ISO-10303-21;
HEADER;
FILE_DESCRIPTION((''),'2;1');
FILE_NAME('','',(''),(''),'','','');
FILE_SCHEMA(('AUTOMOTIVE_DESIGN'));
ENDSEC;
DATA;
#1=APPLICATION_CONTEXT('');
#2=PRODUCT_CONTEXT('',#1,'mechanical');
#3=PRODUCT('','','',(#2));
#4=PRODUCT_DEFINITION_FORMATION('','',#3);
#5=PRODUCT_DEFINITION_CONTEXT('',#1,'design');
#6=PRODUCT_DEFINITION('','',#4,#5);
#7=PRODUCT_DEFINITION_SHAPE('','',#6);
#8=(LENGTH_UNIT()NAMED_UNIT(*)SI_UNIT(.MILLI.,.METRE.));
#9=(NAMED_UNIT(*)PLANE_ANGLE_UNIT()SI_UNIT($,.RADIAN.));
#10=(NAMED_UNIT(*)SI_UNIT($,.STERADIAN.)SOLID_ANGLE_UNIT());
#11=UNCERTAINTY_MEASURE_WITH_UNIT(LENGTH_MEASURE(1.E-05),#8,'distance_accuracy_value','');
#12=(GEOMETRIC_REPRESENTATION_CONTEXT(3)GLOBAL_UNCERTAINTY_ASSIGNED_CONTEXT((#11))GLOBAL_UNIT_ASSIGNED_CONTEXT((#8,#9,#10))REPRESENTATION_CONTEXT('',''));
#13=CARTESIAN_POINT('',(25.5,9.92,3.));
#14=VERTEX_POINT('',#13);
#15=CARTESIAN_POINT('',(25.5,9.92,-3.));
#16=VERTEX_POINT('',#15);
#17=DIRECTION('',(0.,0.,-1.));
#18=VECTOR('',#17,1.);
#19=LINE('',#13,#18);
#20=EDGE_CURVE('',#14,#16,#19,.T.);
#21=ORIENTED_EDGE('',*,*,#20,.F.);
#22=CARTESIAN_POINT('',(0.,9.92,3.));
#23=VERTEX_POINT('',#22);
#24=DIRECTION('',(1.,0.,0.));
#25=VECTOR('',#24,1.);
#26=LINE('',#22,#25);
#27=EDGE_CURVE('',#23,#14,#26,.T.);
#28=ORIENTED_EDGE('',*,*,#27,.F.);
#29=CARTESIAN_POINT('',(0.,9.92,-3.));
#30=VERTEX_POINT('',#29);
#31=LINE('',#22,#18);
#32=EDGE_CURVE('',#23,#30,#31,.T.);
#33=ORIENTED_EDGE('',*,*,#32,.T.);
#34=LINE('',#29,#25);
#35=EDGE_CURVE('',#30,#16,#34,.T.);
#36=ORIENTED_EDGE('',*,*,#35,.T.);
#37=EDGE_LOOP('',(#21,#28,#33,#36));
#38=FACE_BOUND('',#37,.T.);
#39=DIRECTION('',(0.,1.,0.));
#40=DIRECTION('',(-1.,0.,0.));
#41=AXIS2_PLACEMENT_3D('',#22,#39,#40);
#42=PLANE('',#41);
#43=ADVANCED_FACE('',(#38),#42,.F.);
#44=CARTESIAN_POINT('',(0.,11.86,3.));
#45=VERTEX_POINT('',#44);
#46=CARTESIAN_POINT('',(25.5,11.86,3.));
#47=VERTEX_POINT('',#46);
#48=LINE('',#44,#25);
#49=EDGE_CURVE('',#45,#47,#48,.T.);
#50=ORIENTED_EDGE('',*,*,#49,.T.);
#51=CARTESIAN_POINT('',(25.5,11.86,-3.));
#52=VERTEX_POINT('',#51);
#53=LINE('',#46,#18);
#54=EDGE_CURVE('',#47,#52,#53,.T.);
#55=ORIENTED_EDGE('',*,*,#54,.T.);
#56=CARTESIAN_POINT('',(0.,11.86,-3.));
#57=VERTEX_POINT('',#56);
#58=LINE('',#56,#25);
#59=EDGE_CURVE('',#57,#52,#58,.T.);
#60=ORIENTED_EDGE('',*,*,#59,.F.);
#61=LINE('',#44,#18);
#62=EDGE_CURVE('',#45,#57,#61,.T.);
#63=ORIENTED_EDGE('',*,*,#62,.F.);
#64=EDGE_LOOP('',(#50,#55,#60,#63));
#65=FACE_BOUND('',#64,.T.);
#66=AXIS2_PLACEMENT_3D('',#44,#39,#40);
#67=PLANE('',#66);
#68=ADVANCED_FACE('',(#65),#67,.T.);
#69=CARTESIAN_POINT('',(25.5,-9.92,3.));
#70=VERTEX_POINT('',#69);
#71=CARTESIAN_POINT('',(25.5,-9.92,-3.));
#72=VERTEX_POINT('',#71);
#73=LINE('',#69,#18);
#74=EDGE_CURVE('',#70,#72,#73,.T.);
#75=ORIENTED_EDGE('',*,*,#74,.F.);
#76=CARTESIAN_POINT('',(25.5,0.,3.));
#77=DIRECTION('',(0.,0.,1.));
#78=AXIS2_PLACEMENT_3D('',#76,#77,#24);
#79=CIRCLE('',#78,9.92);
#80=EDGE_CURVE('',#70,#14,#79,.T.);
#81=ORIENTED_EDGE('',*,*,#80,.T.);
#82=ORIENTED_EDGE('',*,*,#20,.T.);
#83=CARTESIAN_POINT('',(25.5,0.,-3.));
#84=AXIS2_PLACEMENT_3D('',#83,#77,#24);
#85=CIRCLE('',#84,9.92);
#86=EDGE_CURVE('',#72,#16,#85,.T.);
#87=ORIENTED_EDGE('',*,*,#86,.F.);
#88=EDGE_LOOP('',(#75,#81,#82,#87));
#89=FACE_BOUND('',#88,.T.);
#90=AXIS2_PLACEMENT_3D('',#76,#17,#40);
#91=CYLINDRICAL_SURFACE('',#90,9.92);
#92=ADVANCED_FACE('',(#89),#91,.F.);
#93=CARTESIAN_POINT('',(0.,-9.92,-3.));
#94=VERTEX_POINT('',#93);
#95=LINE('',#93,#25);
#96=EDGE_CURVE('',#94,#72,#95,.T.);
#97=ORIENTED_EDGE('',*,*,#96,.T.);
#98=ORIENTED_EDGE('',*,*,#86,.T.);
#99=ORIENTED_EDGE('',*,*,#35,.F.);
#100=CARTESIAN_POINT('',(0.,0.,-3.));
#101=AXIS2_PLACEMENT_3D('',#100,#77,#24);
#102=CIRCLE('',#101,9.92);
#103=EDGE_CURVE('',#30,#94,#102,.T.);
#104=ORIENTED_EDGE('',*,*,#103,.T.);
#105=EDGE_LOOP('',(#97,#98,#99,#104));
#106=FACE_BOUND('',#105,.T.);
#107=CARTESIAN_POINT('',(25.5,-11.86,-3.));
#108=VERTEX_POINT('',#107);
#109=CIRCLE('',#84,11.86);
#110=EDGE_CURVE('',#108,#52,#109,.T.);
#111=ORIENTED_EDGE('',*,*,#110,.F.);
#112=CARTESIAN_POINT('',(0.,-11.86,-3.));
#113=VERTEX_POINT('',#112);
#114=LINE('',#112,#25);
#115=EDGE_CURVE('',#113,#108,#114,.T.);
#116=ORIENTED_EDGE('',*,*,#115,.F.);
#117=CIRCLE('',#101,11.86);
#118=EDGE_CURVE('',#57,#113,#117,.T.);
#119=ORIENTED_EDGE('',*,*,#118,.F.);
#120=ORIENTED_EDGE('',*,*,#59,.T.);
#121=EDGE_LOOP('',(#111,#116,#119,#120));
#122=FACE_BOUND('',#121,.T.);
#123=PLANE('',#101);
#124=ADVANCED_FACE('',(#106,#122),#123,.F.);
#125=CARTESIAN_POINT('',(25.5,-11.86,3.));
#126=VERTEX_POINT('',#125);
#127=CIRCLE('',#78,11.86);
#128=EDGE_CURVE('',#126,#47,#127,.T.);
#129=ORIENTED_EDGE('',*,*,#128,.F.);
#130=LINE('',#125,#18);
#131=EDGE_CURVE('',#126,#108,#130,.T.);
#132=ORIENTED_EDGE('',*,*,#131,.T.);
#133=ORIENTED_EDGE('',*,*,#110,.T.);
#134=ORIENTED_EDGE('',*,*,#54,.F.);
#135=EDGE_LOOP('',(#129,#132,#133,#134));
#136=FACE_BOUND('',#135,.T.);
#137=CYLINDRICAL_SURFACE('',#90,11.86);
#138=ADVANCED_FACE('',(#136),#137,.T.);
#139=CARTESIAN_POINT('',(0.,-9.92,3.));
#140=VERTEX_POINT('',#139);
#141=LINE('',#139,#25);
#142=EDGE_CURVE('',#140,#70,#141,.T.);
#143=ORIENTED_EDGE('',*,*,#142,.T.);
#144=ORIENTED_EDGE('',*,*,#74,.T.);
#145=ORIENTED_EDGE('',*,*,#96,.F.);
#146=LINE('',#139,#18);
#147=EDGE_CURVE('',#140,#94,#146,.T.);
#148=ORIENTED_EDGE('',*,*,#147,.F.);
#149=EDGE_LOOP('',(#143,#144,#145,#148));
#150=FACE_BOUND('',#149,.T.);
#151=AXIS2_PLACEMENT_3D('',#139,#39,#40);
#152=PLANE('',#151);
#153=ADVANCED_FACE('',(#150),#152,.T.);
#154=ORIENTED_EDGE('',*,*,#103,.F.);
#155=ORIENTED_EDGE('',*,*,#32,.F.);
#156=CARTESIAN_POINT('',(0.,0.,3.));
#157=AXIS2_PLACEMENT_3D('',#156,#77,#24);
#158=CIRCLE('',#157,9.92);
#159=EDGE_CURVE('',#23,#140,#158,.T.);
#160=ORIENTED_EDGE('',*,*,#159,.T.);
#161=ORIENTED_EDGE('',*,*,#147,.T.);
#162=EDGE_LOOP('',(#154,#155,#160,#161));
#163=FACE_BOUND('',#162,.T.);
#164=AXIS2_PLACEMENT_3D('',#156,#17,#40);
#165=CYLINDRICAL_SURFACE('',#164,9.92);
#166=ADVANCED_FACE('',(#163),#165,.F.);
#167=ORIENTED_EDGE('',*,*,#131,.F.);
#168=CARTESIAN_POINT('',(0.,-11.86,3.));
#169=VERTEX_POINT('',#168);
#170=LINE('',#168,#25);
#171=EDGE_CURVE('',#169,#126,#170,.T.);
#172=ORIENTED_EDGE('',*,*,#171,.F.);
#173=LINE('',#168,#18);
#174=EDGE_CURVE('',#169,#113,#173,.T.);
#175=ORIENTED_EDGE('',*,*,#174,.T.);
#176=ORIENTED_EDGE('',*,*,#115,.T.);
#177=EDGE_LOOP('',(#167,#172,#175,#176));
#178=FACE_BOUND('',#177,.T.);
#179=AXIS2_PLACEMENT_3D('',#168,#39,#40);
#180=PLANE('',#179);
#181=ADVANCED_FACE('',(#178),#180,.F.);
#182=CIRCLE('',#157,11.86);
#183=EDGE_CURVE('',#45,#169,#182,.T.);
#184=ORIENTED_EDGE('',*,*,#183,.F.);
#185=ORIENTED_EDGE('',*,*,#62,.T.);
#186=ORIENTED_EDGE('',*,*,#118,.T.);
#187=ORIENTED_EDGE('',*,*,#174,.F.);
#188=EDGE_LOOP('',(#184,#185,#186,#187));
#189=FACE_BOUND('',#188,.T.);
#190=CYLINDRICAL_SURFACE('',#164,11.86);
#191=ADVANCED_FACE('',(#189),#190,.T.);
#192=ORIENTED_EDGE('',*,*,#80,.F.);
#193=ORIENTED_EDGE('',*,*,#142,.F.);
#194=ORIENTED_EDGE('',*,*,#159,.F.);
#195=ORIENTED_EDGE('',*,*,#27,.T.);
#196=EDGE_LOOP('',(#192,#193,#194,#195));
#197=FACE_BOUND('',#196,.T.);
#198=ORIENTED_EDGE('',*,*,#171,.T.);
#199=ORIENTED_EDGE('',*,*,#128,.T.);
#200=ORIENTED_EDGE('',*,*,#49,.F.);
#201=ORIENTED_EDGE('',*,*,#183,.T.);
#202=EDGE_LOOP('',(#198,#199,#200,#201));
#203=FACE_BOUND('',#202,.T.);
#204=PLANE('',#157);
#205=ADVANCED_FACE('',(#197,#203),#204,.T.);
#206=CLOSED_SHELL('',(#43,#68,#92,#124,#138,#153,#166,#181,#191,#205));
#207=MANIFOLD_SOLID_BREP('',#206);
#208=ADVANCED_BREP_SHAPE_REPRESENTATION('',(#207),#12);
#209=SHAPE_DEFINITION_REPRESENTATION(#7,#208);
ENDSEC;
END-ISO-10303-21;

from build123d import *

# Parameters (mm, degrees)
BOSS_EXTRU_1_DEPTH = 3


with BuildPart() as part:
    # Esquisse1 → Boss.-Extru.1 (new, symmetric)
    # profile 1 of 2: a face of its own
    with BuildSketch(Plane.XY):
        with BuildLine():
            Line((0, 11.86), (25.5, 11.86))
            ThreePointArc((25.5, 11.86), (37.36, 0), (25.5, -11.86))
            Line((25.5, -11.86), (0, -11.86))
            ThreePointArc((0, -11.86), (-11.86, 0), (0, 11.86))
        make_face()
        with BuildLine():
            ThreePointArc((25.5, -11.46), (36.96, 0), (25.5, 11.46))
            Line((25.5, 11.46), (0, 11.46))
            ThreePointArc((0, 11.46), (-11.46, 0), (0, -11.46))
            Line((0, -11.46), (25.5, -11.46))
        make_face(mode=Mode.SUBTRACT)
    # profile 2 of 2: a face of its own
    with BuildSketch(Plane.XY):
        with BuildLine():
            Line((0, -11.46), (25.5, -11.46))
            ThreePointArc((25.5, -11.46), (36.96, 0), (25.5, 11.46))
            Line((25.5, 11.46), (0, 11.46))
            ThreePointArc((0, 11.46), (-11.46, 0), (0, -11.46))
        make_face()
        with BuildLine():
            ThreePointArc((0, 9.92), (-9.92, 0), (0, -9.92))
            Line((0, -9.92), (25.5, -9.92))
            ThreePointArc((25.5, -9.92), (35.42, 0), (25.5, 9.92))
            Line((25.5, 9.92), (0, 9.92))
        make_face(mode=Mode.SUBTRACT)
    extrude(amount=BOSS_EXTRU_1_DEPTH, both=True)


solid = part.part
